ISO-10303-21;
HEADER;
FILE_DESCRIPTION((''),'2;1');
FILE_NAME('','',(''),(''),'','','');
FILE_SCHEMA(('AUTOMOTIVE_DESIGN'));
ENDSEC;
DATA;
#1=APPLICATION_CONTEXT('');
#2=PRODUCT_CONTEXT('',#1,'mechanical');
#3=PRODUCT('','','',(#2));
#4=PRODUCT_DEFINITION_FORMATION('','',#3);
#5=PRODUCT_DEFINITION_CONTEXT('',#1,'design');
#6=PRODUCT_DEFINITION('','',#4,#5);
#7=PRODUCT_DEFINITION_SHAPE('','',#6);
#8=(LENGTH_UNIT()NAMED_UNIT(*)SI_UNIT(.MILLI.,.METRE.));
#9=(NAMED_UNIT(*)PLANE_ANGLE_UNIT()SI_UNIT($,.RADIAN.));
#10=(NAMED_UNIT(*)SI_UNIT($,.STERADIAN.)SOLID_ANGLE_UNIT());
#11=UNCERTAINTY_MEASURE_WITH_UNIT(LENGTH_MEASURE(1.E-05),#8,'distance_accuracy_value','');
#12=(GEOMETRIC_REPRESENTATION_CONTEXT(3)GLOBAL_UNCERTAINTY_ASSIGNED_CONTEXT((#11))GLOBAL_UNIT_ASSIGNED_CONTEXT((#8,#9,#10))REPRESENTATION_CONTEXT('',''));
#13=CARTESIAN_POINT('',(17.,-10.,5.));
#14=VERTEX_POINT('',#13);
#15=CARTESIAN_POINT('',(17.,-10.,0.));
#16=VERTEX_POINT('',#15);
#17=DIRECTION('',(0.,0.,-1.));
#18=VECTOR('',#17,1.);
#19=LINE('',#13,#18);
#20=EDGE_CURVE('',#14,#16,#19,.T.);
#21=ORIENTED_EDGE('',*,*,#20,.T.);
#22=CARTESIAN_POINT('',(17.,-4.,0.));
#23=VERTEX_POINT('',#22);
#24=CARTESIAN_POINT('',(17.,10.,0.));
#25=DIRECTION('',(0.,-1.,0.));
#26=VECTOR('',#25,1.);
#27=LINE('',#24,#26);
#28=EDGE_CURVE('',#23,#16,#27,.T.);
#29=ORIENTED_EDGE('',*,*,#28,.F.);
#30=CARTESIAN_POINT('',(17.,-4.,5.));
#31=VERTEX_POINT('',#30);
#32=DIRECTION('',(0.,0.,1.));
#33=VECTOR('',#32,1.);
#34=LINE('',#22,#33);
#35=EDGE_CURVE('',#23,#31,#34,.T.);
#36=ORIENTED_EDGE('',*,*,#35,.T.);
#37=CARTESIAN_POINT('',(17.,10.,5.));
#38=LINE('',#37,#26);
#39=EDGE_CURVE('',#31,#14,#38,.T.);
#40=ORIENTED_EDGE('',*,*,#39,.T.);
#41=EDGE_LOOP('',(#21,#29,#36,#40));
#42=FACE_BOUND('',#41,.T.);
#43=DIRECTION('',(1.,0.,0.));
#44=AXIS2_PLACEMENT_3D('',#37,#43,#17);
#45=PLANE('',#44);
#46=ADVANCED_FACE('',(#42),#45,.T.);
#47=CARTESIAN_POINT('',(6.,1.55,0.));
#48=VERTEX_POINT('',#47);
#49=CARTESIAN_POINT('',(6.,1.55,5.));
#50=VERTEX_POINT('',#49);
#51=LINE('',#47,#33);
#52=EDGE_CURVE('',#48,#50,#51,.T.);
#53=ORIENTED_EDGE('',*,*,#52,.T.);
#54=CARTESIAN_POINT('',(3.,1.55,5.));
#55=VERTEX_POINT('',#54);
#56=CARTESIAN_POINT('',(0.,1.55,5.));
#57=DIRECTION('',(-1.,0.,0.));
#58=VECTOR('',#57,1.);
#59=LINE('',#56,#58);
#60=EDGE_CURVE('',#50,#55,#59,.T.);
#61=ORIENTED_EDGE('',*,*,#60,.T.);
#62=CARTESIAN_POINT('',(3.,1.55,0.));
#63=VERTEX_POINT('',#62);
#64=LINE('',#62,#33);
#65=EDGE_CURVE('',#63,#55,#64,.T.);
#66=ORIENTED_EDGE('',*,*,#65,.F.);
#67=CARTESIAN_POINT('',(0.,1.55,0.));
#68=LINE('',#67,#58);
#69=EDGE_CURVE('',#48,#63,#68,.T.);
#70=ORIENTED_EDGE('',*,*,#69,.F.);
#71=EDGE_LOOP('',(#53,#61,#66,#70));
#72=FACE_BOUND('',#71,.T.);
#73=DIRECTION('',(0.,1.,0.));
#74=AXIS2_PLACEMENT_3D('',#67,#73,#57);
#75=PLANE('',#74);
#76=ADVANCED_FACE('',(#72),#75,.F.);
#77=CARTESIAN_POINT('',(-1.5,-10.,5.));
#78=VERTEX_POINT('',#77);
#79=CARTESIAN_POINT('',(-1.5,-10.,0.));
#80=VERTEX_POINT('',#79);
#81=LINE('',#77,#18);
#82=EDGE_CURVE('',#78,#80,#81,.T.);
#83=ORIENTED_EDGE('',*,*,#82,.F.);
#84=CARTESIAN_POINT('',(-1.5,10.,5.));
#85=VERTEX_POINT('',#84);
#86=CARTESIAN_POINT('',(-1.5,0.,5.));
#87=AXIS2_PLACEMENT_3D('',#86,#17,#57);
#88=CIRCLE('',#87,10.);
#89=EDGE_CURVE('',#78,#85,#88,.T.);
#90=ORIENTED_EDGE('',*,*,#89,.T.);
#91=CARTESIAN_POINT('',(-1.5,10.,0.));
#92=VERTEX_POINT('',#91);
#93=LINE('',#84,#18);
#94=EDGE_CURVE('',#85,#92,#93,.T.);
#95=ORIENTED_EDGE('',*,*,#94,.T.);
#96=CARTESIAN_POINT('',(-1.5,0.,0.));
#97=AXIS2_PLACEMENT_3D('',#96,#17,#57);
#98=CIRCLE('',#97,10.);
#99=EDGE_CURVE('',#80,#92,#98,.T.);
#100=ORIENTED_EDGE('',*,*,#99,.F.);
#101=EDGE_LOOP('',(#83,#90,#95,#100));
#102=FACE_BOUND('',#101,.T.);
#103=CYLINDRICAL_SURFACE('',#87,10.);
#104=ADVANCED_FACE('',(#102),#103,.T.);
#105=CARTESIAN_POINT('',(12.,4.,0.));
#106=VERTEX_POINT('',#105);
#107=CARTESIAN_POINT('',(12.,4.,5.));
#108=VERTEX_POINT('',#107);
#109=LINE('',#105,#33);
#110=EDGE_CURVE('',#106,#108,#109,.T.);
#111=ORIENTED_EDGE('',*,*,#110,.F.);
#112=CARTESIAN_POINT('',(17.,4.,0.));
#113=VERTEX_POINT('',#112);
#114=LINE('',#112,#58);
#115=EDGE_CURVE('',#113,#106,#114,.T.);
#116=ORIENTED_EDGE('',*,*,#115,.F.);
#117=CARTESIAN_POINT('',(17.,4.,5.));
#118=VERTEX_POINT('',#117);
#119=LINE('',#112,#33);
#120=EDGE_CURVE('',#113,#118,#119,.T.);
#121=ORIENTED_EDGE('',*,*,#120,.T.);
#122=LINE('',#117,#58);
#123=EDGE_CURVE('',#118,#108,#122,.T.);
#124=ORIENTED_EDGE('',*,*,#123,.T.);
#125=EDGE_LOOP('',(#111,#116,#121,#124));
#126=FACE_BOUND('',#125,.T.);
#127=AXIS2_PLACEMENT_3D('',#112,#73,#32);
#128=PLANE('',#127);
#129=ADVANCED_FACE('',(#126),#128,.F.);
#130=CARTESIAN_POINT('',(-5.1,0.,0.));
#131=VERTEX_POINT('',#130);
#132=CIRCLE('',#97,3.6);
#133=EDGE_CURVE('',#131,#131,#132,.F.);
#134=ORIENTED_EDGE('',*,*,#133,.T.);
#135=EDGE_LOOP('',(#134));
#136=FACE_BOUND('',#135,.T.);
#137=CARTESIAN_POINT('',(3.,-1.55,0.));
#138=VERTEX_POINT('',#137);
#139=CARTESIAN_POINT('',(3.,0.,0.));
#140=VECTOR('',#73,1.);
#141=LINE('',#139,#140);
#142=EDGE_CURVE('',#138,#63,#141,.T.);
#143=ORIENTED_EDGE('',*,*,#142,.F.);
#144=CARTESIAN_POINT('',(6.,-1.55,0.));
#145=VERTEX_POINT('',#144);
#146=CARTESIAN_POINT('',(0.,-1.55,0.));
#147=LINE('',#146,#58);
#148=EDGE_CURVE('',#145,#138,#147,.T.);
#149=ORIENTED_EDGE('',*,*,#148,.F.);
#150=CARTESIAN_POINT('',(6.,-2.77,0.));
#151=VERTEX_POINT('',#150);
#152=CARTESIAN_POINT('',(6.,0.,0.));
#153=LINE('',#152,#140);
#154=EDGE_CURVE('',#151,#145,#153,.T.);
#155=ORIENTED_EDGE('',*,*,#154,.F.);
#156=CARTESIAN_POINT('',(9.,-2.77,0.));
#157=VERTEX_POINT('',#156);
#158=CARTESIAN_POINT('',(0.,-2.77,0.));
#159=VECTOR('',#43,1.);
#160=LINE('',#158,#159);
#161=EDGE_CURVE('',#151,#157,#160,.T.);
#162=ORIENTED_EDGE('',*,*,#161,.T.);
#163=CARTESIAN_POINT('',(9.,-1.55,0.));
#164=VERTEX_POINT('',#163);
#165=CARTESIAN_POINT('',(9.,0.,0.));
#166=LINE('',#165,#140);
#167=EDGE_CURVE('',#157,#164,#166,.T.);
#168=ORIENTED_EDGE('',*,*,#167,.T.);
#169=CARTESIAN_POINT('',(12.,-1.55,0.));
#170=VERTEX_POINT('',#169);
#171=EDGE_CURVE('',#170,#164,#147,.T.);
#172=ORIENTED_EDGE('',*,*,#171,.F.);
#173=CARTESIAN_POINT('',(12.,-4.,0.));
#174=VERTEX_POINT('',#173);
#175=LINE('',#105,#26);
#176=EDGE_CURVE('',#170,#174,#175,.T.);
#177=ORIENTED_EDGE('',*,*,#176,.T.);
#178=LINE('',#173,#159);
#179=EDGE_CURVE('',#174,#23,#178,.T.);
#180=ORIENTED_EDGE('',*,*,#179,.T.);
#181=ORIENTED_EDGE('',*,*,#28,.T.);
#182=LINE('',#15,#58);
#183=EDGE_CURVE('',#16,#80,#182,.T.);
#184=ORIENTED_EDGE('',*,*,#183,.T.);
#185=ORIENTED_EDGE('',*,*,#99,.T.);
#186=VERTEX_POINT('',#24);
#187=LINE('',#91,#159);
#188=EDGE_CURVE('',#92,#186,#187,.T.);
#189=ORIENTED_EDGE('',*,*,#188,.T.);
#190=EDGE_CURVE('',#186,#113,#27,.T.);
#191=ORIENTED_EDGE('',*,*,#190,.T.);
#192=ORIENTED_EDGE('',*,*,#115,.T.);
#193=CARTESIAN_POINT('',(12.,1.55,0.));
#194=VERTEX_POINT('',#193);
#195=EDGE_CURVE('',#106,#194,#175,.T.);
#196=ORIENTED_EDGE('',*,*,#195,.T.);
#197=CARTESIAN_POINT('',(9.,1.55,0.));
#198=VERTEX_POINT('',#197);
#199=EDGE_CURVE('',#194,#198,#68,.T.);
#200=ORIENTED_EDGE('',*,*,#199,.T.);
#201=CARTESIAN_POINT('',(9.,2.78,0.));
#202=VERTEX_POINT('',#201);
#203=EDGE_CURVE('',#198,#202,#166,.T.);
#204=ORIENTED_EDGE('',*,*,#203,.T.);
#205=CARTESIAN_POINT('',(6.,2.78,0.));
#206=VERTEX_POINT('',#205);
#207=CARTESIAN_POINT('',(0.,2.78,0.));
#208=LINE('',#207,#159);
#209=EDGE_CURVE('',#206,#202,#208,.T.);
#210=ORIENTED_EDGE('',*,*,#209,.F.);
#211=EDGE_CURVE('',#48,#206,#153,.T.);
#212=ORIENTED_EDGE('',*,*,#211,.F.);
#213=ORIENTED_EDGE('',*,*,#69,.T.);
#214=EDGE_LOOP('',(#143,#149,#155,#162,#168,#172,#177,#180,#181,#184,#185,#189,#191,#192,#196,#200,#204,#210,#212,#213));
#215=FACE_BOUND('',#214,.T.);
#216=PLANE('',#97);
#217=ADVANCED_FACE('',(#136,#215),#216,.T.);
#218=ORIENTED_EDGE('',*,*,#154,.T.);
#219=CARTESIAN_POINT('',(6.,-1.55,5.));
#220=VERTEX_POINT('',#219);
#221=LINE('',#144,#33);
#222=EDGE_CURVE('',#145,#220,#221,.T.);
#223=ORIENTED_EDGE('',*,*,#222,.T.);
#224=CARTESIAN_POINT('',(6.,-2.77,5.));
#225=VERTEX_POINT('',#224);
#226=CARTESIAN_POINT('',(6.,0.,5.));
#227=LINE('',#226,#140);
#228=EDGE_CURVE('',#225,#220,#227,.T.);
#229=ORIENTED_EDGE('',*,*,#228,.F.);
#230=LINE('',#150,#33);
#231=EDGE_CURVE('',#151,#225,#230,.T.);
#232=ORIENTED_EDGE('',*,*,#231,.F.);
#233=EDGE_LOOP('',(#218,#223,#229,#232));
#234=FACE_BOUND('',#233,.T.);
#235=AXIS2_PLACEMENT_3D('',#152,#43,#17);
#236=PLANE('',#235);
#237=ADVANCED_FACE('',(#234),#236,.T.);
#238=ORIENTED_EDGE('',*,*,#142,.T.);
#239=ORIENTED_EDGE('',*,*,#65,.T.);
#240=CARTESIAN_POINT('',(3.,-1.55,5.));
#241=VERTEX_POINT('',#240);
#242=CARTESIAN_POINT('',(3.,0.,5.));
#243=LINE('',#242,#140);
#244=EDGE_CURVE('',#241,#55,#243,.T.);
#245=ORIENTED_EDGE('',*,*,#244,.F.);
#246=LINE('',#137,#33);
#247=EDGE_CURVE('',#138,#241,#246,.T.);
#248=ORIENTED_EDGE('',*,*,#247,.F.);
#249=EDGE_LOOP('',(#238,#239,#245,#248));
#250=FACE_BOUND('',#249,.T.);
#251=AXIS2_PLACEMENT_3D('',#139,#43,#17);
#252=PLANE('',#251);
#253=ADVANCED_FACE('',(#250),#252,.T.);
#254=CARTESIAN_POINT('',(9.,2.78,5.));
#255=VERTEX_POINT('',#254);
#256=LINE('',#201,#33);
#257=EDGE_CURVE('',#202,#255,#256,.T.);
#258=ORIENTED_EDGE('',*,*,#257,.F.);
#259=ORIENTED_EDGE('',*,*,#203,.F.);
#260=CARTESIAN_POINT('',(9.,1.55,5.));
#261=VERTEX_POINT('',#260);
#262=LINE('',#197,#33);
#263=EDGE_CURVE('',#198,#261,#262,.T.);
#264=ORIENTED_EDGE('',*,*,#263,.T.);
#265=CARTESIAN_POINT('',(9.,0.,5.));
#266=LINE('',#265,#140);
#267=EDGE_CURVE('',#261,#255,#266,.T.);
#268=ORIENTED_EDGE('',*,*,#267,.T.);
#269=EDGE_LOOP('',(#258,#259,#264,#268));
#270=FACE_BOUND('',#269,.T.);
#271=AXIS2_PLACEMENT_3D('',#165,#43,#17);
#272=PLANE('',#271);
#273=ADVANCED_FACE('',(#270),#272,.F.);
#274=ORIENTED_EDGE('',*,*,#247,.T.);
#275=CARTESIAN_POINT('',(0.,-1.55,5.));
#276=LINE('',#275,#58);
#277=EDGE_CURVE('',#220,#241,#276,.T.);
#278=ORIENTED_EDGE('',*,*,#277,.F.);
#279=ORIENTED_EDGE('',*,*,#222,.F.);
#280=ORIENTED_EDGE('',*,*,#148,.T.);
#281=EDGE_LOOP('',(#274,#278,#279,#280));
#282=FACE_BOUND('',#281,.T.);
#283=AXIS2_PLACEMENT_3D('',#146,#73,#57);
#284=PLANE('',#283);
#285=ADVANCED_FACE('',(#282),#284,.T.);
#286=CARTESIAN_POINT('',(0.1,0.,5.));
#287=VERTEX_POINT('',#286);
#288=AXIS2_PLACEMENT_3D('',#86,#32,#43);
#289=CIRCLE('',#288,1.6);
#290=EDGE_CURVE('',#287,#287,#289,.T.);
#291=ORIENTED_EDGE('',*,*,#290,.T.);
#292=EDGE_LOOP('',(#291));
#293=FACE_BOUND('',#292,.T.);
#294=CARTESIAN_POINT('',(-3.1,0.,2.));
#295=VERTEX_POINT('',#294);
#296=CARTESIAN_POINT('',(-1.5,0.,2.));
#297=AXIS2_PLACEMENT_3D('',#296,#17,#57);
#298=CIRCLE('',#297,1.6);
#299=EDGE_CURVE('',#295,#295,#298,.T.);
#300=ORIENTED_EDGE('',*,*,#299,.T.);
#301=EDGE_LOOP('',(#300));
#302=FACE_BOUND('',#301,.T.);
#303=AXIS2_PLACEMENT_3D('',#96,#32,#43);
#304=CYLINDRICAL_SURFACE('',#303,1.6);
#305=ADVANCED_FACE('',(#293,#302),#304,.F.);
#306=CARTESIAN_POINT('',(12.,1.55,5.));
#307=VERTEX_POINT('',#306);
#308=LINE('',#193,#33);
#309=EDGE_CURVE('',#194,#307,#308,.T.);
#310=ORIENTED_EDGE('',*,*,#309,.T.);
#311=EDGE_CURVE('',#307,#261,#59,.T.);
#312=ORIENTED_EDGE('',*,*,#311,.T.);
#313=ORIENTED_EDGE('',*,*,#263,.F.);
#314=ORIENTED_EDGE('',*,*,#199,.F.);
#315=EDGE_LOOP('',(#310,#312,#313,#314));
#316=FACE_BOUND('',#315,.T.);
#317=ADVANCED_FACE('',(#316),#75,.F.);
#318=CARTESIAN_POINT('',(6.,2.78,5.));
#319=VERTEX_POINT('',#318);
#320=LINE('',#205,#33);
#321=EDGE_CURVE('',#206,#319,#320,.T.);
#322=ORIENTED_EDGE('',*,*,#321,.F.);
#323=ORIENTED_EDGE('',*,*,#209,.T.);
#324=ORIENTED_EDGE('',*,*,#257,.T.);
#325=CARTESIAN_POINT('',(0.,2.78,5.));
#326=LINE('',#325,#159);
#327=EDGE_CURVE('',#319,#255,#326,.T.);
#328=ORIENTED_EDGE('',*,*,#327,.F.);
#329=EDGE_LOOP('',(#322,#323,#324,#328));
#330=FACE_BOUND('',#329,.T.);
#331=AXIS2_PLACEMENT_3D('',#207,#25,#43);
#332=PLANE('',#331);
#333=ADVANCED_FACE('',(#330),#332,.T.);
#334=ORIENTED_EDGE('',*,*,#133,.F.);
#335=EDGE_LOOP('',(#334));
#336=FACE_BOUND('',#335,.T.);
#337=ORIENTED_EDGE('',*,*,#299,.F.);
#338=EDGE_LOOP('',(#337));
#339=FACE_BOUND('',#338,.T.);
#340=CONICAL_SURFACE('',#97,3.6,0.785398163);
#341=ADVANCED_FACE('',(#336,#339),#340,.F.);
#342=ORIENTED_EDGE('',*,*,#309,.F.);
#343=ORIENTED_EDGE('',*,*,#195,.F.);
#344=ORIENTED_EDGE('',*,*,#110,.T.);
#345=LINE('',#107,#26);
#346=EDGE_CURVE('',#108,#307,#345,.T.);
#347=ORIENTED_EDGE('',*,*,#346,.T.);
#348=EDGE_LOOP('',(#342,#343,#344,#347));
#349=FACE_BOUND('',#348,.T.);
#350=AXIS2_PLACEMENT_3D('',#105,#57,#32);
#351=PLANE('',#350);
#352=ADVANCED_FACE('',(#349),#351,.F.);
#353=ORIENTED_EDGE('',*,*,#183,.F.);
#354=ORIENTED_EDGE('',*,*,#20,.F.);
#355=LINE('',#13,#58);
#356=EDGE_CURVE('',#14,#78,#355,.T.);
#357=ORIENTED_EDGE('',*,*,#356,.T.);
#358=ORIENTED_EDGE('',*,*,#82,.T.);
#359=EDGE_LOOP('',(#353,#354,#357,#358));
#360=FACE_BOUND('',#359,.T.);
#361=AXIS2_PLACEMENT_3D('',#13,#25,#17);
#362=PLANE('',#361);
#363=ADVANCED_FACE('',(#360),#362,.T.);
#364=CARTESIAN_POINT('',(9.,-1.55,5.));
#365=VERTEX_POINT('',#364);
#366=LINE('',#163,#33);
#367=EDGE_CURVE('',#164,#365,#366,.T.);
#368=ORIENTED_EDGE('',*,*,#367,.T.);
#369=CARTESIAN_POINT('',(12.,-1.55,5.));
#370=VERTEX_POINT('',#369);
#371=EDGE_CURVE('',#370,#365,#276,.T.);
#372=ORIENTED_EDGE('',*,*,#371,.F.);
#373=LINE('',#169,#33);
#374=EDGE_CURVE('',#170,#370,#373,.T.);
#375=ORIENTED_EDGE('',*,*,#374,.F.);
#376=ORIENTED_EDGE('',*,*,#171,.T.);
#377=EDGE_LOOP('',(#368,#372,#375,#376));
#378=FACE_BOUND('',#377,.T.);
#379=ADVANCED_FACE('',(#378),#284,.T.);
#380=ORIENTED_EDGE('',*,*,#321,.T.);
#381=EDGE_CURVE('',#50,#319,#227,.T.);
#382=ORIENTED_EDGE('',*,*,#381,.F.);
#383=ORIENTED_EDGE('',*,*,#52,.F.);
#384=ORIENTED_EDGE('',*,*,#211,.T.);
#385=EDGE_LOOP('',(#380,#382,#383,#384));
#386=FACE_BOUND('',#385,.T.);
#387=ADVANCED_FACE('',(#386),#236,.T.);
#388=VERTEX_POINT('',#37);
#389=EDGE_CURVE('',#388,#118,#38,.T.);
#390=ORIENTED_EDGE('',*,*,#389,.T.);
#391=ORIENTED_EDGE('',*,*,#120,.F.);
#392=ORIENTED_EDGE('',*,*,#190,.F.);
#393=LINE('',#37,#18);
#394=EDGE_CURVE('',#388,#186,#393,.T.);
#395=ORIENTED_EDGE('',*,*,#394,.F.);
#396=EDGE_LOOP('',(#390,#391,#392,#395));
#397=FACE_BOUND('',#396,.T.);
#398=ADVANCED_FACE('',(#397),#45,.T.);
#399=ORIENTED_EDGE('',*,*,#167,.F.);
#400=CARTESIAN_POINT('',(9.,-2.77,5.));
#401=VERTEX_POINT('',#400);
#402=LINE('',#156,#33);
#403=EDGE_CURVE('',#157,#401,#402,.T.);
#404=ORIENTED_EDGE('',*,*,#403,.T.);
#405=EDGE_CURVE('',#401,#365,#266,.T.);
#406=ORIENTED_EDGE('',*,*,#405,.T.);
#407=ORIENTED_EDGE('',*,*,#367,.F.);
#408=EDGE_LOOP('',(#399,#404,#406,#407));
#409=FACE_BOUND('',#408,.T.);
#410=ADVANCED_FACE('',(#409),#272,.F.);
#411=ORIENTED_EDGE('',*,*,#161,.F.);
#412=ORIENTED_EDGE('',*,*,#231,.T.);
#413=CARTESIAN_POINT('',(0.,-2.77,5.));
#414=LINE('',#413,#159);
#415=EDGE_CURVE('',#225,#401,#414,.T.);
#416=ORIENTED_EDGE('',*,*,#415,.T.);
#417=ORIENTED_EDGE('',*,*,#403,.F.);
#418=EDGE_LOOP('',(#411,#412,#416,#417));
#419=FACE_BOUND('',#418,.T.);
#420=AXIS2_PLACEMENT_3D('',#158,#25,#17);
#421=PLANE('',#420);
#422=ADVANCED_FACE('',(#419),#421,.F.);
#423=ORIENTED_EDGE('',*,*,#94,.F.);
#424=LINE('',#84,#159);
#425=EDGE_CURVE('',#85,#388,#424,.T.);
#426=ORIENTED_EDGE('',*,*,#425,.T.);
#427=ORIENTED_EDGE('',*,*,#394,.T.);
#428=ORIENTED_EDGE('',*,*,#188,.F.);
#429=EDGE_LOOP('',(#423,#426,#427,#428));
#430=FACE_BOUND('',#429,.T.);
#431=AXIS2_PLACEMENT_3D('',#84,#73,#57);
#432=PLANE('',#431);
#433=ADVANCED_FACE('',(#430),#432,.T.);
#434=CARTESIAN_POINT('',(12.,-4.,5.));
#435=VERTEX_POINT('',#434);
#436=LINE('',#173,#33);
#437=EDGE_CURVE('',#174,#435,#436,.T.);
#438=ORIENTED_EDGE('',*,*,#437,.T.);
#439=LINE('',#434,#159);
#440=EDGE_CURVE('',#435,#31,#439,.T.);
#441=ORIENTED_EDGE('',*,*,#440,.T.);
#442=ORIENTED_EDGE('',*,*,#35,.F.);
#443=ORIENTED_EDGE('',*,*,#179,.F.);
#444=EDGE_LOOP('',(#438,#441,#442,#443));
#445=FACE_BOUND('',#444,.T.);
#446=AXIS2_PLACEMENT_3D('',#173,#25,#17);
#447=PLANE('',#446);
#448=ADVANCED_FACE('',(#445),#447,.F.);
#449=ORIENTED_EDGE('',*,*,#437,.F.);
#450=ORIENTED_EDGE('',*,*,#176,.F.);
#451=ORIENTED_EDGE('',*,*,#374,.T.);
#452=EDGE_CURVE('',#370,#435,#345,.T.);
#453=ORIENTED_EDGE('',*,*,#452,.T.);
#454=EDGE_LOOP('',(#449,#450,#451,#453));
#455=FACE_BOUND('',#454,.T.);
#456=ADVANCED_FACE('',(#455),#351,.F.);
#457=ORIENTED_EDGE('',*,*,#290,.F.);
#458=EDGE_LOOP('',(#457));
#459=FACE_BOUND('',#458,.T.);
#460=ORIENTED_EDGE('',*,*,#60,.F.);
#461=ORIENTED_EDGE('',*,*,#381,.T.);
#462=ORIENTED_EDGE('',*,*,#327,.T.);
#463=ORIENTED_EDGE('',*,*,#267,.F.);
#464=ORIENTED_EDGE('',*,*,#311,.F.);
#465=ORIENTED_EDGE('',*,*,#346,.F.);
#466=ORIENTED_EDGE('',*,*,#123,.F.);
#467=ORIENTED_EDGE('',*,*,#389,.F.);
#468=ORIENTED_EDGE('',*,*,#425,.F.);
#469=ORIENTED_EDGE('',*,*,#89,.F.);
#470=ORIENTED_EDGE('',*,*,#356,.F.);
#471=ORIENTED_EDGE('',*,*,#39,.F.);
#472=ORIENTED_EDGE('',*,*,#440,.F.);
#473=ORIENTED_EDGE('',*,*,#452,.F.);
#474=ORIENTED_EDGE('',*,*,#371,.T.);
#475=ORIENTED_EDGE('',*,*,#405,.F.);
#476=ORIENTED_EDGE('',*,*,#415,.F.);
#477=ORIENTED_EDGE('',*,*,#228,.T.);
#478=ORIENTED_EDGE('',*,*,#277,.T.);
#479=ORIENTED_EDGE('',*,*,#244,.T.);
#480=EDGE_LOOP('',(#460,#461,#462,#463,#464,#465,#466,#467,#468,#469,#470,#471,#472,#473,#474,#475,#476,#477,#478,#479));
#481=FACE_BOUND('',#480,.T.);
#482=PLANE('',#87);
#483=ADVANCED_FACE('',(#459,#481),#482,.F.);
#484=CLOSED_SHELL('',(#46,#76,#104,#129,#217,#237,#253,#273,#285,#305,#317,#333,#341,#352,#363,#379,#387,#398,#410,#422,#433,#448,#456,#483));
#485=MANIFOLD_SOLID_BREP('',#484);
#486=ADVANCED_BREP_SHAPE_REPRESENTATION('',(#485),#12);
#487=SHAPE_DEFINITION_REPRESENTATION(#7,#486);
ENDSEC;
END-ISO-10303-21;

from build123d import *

# Parameters (mm, degrees)
BOSS_EXTRU_1_DEPTH                  = 5
ESQUISSE2_W                         = 5
ESQUISSE2_H                         = 8
ENL_V_MAT_EXTRU_1_DEPTH             = 6
ENL_V_MAT_EXTRU_2_DEPTH             = 2.5
DIAM_TRE_DU_PER_AGE_2_5_2_5_2_D     = 2.5
DIAM_TRE_DU_PER_AGE_2_5_2_5_2_DEPTH = 2.5
ESQUISSE9_W                         = 8.5
ESQUISSE9_H                         = 10
BOSS_EXTRU_2_DEPTH                  = 5
ESQUISSE10_R                        = 1.6
ESQUISSE10_W                        = 9
ESQUISSE10_H                        = 3.1
ESQUISSE10_W_2                      = 3
ESQUISSE10_H_2                      = 5.55
ENL_V_MAT_EXTRU_3_DEPTH             = 6
CHANFREIN1_SIZE                     = 2


with BuildPart() as part:
    # Esquisse1 → Boss.-Extru.1 (new body)
    with BuildSketch(Plane(origin=(0, 0, 0), x_dir=(-1, 0, 0), z_dir=(0, 0, -1))):
        with BuildLine():
            Line((-17, 10), (-17, -10))
            Line((-17, -10), (1.5, -10))
            ThreePointArc((1.5, -10), (11.5, 0), (1.5, 10))
            Line((1.5, 10), (-17, 10))
        make_face()
    extrude(amount=-BOSS_EXTRU_1_DEPTH)

    # Esquisse2 → Enlèv. mat.-Extru.1 (cut, through all)
    with BuildSketch(Plane.XY.offset(5)):
        with Locations((14.5, 0)):
            Rectangle(ESQUISSE2_W, ESQUISSE2_H)
    extrude(amount=-ENL_V_MAT_EXTRU_1_DEPTH, mode=Mode.SUBTRACT)

    # Esquisse3 → Enlèv. mat.-Extru.2 (cut)
    with BuildSketch(Plane.XY.offset(5)):
        with BuildLine():
            Line((-10.160254038, -5), (7, -5))
            Line((7, -5), (7, 5))
            Line((7, 5), (-10.160254038, 5))
            ThreePointArc((-10.160254038, 5), (-11.5, 0), (-10.160254038, -5))
        make_face()
    extrude(amount=-ENL_V_MAT_EXTRU_2_DEPTH, mode=Mode.SUBTRACT)

    # Diamètre du perçage Ø2.5 (2.5)2
    with Locations(Plane.XY.offset(2.5)):
        with Locations((-1.5, 0)):
            Hole(DIAM_TRE_DU_PER_AGE_2_5_2_5_2_D / 2, depth=DIAM_TRE_DU_PER_AGE_2_5_2_5_2_DEPTH)

    # Esquisse9 → Boss.-Extru.2 (add)
    with BuildSketch(Plane.XY.offset(5)):
        with BuildLine():
            Line((-10.160254038, -5), (-1.5, -5))
            Line((-1.5, -5), (-1.5, 5))
            Line((-1.5, 5), (-10.160254038, 5))
            ThreePointArc((-10.160254038, 5), (-11.5, 0), (-10.160254038, -5))
        make_face()
        with Locations((2.75, 0)):
            Rectangle(ESQUISSE9_W, ESQUISSE9_H)
    extrude(amount=-BOSS_EXTRU_2_DEPTH)

    # Esquisse10 → Enlèv. mat.-Extru.3 (cut, through all)
    with BuildSketch(Plane.XY.offset(5)):
        with Locations((-1.5, 0)):
            Circle(ESQUISSE10_R)
        with Locations((7.5, 0)):
            Rectangle(ESQUISSE10_W, ESQUISSE10_H)
        with Locations((7.5, 0.005)):
            Rectangle(ESQUISSE10_W_2, ESQUISSE10_H_2)
    extrude(amount=-ENL_V_MAT_EXTRU_3_DEPTH, mode=Mode.SUBTRACT)

    # Chanfrein1
    chanfrein1_edges = [part.edges().sort_by_distance(p)[0] for p in [
        (-3.1, 0, 0),
    ]]
    chamfer(chanfrein1_edges, length=CHANFREIN1_SIZE)


solid = part.part
